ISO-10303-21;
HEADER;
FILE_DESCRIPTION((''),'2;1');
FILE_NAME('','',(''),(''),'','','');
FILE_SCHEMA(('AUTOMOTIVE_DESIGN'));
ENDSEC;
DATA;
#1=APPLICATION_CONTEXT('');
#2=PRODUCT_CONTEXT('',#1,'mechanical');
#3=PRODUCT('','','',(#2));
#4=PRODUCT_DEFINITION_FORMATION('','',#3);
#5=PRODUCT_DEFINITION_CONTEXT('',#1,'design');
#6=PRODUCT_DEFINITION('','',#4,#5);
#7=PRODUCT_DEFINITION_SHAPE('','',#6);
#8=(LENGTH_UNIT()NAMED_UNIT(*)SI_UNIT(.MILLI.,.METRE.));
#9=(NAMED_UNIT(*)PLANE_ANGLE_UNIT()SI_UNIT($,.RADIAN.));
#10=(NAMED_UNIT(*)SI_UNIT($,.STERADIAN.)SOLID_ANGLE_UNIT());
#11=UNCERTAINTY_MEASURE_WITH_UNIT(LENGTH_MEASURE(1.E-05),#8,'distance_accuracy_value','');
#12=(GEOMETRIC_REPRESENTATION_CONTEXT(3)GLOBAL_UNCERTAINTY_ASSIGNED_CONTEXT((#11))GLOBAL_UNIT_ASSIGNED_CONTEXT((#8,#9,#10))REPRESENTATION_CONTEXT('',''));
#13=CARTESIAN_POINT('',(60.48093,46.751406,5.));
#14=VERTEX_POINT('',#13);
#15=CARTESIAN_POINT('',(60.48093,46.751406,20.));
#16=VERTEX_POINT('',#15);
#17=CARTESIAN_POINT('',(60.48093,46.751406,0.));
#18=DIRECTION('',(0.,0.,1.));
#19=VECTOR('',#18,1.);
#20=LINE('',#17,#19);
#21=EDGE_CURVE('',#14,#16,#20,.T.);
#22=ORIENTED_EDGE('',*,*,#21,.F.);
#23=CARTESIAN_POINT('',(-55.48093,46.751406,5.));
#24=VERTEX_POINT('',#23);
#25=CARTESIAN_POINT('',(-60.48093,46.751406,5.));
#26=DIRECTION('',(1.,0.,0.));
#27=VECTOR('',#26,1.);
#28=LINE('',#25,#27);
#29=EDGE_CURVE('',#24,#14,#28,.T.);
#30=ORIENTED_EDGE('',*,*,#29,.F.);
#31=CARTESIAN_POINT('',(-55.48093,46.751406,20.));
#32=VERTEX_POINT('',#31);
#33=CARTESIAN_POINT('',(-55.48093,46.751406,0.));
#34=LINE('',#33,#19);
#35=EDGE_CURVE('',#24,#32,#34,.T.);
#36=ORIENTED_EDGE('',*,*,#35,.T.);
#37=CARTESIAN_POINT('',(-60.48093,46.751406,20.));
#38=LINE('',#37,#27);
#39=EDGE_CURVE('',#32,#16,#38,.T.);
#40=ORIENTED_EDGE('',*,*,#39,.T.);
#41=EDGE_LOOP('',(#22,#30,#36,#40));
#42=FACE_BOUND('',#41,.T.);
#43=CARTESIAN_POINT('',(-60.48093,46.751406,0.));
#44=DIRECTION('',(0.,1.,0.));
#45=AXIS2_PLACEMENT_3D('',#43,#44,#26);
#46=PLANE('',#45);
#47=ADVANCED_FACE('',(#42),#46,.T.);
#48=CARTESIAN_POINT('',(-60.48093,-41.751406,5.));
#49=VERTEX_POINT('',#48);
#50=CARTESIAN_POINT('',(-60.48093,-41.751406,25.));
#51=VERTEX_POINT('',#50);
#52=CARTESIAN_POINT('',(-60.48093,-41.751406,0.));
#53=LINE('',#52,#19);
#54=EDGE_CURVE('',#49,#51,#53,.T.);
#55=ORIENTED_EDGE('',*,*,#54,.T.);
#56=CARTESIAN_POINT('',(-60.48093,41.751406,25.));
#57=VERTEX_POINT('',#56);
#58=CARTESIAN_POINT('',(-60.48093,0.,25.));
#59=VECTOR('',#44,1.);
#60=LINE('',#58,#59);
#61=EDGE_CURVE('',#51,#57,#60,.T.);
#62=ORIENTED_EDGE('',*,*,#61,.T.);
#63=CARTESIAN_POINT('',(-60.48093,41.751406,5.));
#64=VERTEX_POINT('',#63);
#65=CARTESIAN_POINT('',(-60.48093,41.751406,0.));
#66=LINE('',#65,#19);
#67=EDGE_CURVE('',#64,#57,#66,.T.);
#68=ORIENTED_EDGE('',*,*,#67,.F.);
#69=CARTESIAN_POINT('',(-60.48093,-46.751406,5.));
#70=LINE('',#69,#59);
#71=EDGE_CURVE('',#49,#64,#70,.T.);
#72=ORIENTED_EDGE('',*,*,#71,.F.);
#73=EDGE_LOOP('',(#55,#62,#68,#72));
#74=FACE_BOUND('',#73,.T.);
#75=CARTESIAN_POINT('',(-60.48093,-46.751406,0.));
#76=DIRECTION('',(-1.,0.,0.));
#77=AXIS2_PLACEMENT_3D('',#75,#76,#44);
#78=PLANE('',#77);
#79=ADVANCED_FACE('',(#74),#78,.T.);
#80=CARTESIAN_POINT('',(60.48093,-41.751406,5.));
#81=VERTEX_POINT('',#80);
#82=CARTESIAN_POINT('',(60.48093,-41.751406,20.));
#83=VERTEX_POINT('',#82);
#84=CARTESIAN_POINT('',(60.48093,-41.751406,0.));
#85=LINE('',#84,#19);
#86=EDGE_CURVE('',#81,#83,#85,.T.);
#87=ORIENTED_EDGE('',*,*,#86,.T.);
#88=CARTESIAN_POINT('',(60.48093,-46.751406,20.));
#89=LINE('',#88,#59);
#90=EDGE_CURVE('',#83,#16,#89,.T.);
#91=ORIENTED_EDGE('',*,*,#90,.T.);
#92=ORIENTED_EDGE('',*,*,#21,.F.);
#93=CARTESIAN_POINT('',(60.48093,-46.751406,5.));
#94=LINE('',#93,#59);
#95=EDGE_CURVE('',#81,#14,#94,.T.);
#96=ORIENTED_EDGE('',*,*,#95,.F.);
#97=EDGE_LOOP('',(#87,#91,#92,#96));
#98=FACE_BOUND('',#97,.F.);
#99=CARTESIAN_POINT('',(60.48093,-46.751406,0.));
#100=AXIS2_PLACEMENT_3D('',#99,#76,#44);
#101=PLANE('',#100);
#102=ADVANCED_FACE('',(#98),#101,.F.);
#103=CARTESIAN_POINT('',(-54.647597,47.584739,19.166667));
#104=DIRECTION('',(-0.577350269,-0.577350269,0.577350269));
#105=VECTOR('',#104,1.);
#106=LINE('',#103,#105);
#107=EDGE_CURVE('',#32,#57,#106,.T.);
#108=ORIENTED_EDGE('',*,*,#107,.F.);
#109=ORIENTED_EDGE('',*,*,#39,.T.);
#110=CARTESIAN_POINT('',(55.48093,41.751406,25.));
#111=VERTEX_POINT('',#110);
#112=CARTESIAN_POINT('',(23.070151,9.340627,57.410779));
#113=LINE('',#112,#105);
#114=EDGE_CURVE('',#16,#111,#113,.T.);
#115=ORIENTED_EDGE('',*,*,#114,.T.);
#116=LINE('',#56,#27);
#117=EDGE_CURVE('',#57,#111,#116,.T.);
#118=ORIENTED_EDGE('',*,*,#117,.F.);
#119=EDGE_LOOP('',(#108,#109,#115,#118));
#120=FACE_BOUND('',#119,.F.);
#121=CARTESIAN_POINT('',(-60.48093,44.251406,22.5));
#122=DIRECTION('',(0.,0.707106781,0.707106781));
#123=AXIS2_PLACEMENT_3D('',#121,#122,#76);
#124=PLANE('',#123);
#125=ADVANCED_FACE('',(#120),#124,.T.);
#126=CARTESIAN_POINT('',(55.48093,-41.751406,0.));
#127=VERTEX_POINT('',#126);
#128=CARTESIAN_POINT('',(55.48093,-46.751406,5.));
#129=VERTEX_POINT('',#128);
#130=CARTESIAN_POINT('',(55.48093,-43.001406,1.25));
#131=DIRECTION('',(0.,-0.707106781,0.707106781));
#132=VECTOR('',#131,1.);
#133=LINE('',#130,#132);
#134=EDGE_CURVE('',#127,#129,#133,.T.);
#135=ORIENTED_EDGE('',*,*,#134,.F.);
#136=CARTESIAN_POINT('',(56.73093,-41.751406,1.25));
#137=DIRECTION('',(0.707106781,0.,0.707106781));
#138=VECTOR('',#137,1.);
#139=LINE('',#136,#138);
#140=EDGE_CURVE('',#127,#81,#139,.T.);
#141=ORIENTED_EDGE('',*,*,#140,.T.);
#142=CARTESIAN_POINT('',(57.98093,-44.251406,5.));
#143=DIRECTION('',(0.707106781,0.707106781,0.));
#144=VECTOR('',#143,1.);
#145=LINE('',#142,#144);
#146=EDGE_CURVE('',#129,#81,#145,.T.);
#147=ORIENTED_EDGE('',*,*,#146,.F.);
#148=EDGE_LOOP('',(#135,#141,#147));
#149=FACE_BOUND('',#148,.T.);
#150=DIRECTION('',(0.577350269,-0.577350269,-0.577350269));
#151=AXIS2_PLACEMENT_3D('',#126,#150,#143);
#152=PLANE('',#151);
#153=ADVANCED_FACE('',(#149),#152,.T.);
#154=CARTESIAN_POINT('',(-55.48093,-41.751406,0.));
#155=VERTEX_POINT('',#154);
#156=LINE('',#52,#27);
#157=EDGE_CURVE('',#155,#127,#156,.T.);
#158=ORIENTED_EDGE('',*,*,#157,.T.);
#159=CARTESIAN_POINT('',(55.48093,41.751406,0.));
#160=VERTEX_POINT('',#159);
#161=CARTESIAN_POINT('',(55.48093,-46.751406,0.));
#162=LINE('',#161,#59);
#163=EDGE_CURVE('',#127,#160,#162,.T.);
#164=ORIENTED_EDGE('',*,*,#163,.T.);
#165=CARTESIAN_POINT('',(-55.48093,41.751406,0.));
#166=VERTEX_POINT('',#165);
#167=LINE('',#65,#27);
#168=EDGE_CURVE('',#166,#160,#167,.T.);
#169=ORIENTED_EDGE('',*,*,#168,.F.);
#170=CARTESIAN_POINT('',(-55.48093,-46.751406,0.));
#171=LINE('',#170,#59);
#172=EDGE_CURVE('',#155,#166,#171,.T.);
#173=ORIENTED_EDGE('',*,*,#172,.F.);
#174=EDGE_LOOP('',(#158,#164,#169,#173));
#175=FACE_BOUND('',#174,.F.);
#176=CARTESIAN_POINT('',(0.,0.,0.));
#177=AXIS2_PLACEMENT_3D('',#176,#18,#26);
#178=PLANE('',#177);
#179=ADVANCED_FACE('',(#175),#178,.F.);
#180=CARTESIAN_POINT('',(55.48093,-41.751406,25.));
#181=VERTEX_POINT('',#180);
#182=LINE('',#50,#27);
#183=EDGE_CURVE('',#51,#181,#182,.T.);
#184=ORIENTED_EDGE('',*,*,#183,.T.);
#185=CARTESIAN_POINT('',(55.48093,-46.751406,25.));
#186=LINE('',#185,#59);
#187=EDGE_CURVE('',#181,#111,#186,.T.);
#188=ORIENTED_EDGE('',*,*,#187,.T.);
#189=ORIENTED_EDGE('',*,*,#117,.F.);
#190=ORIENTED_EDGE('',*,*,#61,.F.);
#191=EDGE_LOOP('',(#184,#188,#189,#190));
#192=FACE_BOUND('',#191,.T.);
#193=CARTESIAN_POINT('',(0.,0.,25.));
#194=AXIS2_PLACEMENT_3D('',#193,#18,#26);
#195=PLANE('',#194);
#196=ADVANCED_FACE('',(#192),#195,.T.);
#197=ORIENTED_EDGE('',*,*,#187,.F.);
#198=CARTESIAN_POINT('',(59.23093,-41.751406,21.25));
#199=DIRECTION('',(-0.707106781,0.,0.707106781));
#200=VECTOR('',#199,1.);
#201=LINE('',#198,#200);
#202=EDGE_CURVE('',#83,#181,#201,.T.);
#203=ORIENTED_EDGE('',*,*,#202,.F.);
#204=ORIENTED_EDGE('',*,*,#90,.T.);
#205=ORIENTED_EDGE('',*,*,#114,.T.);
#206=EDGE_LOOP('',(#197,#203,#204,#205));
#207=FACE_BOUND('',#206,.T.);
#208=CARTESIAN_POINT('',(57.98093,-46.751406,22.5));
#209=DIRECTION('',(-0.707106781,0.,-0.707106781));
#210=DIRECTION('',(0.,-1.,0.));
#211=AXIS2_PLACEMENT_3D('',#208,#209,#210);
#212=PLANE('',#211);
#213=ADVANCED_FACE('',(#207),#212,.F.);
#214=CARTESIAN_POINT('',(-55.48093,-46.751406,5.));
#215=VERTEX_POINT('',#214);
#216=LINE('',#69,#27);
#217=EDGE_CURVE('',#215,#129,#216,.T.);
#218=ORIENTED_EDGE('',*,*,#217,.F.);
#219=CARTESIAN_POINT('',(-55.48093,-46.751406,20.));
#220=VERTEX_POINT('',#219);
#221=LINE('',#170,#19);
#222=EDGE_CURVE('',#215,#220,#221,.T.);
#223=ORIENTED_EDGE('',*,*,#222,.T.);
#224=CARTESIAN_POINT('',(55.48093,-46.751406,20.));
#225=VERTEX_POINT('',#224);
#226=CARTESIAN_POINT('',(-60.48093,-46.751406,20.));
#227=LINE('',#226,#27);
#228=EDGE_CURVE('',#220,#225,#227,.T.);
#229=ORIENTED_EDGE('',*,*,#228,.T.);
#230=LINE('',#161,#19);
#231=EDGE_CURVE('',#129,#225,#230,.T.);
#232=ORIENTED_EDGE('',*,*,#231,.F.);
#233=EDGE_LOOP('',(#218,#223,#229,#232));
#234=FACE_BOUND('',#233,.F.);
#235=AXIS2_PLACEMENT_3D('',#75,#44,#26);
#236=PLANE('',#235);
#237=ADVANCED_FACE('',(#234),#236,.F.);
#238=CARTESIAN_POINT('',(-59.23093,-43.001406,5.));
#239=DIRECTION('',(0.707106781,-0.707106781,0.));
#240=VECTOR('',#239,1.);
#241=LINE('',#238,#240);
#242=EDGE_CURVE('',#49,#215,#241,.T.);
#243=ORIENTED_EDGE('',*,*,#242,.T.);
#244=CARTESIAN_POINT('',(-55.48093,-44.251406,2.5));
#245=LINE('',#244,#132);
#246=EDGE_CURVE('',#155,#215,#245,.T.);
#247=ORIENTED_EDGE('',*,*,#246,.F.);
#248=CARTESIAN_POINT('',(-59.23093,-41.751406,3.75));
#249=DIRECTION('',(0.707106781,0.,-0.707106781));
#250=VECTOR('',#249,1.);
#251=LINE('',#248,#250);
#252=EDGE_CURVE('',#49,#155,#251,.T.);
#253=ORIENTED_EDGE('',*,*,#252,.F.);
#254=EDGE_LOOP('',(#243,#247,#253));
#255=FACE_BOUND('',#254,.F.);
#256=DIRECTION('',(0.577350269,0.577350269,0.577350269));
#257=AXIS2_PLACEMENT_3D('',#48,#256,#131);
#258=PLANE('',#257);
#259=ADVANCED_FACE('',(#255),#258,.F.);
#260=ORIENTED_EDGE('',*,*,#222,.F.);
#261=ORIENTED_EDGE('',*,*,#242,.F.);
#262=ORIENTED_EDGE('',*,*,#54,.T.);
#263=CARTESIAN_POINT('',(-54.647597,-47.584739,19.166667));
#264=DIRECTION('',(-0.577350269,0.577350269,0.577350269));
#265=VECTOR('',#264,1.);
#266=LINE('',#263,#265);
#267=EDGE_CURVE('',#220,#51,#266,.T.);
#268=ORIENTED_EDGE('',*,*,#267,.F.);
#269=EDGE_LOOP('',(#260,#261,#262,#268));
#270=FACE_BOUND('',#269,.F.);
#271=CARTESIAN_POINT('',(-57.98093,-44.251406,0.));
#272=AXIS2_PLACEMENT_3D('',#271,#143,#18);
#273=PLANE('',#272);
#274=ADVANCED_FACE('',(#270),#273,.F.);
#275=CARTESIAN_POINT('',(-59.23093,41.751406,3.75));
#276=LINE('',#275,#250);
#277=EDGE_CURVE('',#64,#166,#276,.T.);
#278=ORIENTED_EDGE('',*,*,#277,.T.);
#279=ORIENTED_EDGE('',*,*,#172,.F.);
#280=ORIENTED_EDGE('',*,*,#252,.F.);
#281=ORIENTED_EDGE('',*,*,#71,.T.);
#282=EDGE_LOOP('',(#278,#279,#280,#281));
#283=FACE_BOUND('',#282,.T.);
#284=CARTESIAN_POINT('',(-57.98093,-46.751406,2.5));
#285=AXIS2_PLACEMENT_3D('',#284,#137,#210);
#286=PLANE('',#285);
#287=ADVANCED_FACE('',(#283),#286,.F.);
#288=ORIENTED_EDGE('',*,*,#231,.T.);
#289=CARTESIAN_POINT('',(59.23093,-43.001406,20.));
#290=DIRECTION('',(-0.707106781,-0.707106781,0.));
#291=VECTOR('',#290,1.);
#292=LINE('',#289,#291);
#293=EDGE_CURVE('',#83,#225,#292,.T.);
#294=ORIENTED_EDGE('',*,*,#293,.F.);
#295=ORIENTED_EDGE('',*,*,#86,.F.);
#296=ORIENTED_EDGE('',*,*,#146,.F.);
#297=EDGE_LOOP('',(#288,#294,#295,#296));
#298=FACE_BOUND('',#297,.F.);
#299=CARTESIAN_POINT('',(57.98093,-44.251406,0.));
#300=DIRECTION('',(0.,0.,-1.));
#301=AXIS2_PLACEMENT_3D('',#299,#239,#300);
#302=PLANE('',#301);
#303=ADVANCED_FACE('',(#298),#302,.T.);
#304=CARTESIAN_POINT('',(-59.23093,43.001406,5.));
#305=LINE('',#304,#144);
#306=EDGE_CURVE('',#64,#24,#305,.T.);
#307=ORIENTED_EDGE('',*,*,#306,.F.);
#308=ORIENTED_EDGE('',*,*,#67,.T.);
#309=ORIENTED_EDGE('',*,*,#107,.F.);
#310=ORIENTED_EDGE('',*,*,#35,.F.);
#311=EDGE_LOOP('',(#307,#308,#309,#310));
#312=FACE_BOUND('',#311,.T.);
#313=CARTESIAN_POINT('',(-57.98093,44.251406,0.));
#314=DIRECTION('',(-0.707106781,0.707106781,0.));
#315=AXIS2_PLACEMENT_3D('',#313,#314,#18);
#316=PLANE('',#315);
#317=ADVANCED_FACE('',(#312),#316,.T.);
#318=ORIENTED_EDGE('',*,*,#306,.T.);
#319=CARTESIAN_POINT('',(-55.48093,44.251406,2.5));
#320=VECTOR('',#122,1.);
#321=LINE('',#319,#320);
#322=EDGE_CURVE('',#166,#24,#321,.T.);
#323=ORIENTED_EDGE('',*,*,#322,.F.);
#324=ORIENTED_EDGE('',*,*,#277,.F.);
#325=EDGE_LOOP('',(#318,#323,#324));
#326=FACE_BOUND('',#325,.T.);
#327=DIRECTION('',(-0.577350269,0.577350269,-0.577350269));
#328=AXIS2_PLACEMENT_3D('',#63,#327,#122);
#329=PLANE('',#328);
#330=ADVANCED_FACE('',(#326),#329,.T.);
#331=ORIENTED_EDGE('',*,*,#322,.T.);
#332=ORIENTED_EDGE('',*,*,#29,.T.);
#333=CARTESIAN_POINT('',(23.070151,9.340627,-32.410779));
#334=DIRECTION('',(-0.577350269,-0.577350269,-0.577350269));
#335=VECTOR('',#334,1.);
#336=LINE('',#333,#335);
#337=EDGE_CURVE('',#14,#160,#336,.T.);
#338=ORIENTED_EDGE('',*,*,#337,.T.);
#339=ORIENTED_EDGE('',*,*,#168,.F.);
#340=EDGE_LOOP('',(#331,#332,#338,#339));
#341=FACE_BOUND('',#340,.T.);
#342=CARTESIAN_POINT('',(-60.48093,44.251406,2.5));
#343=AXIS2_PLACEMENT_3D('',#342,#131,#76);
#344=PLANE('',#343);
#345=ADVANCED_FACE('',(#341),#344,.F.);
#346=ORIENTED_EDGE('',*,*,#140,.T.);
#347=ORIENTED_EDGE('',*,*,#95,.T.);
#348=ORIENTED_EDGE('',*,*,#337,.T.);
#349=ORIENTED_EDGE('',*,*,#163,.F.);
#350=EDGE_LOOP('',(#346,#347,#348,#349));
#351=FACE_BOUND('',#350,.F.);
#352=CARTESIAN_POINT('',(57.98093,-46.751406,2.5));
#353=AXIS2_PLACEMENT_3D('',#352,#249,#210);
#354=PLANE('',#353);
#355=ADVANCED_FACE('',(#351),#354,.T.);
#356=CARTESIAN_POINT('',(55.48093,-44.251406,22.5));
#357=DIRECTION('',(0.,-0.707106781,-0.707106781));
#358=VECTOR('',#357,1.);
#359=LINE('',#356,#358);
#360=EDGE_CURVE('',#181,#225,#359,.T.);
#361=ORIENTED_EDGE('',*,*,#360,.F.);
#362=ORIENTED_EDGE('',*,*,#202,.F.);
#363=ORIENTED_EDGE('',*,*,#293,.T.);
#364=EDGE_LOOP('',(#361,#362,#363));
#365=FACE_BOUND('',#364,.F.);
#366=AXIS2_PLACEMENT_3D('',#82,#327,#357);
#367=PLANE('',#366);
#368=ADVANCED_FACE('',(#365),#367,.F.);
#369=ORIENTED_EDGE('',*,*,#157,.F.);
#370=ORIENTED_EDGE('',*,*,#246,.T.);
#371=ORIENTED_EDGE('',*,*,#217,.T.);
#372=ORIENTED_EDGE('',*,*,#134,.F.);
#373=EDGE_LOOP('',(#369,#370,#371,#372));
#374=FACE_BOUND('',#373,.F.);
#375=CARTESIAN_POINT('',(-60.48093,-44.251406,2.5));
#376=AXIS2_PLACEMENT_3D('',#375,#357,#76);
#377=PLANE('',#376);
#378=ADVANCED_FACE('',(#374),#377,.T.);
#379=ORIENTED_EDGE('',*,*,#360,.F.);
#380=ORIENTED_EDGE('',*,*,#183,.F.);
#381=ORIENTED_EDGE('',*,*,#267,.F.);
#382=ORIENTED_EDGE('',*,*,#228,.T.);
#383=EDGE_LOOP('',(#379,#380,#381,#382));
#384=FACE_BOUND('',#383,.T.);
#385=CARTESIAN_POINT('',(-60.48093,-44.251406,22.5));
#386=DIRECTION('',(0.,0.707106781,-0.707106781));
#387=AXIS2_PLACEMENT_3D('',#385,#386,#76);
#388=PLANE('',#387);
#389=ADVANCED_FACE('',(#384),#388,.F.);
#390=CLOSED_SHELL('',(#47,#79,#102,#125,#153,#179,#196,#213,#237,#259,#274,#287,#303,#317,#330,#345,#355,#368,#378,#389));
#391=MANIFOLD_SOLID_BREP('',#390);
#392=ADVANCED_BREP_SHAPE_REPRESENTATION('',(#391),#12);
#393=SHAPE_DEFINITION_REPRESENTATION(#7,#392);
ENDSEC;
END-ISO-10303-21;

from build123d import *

# Parameters (mm, degrees)
F0_W     = 120.96186
F0_H     = 93.502812
F1_DEPTH = 25
F2_SIZE  = 5


with BuildPart() as f1:
    # F0 (on Top) → F1 (new body)
    with BuildSketch(Plane.XY):
        Rectangle(F0_W, F0_H)
    extrude(amount=F1_DEPTH)

    # F2
    f2_edges = [f1.edges().sort_by_distance(p)[0] for p in [
        (0, -46.751406, 25),
        (60.48093, 0, 25),
        (60.48093, -46.751406, 12.5),
        (0, -46.751406, 0),
        (60.48093, 0, 0),
        (0, 46.751406, 25),
        (0, 46.751406, 0),
        (-60.48093, 0, 0),
        (-60.48093, 46.751406, 12.5),
        (-60.48093, -46.751406, 12.5),
    ]]
    chamfer(f2_edges, length=F2_SIZE)


solid = f1.part
